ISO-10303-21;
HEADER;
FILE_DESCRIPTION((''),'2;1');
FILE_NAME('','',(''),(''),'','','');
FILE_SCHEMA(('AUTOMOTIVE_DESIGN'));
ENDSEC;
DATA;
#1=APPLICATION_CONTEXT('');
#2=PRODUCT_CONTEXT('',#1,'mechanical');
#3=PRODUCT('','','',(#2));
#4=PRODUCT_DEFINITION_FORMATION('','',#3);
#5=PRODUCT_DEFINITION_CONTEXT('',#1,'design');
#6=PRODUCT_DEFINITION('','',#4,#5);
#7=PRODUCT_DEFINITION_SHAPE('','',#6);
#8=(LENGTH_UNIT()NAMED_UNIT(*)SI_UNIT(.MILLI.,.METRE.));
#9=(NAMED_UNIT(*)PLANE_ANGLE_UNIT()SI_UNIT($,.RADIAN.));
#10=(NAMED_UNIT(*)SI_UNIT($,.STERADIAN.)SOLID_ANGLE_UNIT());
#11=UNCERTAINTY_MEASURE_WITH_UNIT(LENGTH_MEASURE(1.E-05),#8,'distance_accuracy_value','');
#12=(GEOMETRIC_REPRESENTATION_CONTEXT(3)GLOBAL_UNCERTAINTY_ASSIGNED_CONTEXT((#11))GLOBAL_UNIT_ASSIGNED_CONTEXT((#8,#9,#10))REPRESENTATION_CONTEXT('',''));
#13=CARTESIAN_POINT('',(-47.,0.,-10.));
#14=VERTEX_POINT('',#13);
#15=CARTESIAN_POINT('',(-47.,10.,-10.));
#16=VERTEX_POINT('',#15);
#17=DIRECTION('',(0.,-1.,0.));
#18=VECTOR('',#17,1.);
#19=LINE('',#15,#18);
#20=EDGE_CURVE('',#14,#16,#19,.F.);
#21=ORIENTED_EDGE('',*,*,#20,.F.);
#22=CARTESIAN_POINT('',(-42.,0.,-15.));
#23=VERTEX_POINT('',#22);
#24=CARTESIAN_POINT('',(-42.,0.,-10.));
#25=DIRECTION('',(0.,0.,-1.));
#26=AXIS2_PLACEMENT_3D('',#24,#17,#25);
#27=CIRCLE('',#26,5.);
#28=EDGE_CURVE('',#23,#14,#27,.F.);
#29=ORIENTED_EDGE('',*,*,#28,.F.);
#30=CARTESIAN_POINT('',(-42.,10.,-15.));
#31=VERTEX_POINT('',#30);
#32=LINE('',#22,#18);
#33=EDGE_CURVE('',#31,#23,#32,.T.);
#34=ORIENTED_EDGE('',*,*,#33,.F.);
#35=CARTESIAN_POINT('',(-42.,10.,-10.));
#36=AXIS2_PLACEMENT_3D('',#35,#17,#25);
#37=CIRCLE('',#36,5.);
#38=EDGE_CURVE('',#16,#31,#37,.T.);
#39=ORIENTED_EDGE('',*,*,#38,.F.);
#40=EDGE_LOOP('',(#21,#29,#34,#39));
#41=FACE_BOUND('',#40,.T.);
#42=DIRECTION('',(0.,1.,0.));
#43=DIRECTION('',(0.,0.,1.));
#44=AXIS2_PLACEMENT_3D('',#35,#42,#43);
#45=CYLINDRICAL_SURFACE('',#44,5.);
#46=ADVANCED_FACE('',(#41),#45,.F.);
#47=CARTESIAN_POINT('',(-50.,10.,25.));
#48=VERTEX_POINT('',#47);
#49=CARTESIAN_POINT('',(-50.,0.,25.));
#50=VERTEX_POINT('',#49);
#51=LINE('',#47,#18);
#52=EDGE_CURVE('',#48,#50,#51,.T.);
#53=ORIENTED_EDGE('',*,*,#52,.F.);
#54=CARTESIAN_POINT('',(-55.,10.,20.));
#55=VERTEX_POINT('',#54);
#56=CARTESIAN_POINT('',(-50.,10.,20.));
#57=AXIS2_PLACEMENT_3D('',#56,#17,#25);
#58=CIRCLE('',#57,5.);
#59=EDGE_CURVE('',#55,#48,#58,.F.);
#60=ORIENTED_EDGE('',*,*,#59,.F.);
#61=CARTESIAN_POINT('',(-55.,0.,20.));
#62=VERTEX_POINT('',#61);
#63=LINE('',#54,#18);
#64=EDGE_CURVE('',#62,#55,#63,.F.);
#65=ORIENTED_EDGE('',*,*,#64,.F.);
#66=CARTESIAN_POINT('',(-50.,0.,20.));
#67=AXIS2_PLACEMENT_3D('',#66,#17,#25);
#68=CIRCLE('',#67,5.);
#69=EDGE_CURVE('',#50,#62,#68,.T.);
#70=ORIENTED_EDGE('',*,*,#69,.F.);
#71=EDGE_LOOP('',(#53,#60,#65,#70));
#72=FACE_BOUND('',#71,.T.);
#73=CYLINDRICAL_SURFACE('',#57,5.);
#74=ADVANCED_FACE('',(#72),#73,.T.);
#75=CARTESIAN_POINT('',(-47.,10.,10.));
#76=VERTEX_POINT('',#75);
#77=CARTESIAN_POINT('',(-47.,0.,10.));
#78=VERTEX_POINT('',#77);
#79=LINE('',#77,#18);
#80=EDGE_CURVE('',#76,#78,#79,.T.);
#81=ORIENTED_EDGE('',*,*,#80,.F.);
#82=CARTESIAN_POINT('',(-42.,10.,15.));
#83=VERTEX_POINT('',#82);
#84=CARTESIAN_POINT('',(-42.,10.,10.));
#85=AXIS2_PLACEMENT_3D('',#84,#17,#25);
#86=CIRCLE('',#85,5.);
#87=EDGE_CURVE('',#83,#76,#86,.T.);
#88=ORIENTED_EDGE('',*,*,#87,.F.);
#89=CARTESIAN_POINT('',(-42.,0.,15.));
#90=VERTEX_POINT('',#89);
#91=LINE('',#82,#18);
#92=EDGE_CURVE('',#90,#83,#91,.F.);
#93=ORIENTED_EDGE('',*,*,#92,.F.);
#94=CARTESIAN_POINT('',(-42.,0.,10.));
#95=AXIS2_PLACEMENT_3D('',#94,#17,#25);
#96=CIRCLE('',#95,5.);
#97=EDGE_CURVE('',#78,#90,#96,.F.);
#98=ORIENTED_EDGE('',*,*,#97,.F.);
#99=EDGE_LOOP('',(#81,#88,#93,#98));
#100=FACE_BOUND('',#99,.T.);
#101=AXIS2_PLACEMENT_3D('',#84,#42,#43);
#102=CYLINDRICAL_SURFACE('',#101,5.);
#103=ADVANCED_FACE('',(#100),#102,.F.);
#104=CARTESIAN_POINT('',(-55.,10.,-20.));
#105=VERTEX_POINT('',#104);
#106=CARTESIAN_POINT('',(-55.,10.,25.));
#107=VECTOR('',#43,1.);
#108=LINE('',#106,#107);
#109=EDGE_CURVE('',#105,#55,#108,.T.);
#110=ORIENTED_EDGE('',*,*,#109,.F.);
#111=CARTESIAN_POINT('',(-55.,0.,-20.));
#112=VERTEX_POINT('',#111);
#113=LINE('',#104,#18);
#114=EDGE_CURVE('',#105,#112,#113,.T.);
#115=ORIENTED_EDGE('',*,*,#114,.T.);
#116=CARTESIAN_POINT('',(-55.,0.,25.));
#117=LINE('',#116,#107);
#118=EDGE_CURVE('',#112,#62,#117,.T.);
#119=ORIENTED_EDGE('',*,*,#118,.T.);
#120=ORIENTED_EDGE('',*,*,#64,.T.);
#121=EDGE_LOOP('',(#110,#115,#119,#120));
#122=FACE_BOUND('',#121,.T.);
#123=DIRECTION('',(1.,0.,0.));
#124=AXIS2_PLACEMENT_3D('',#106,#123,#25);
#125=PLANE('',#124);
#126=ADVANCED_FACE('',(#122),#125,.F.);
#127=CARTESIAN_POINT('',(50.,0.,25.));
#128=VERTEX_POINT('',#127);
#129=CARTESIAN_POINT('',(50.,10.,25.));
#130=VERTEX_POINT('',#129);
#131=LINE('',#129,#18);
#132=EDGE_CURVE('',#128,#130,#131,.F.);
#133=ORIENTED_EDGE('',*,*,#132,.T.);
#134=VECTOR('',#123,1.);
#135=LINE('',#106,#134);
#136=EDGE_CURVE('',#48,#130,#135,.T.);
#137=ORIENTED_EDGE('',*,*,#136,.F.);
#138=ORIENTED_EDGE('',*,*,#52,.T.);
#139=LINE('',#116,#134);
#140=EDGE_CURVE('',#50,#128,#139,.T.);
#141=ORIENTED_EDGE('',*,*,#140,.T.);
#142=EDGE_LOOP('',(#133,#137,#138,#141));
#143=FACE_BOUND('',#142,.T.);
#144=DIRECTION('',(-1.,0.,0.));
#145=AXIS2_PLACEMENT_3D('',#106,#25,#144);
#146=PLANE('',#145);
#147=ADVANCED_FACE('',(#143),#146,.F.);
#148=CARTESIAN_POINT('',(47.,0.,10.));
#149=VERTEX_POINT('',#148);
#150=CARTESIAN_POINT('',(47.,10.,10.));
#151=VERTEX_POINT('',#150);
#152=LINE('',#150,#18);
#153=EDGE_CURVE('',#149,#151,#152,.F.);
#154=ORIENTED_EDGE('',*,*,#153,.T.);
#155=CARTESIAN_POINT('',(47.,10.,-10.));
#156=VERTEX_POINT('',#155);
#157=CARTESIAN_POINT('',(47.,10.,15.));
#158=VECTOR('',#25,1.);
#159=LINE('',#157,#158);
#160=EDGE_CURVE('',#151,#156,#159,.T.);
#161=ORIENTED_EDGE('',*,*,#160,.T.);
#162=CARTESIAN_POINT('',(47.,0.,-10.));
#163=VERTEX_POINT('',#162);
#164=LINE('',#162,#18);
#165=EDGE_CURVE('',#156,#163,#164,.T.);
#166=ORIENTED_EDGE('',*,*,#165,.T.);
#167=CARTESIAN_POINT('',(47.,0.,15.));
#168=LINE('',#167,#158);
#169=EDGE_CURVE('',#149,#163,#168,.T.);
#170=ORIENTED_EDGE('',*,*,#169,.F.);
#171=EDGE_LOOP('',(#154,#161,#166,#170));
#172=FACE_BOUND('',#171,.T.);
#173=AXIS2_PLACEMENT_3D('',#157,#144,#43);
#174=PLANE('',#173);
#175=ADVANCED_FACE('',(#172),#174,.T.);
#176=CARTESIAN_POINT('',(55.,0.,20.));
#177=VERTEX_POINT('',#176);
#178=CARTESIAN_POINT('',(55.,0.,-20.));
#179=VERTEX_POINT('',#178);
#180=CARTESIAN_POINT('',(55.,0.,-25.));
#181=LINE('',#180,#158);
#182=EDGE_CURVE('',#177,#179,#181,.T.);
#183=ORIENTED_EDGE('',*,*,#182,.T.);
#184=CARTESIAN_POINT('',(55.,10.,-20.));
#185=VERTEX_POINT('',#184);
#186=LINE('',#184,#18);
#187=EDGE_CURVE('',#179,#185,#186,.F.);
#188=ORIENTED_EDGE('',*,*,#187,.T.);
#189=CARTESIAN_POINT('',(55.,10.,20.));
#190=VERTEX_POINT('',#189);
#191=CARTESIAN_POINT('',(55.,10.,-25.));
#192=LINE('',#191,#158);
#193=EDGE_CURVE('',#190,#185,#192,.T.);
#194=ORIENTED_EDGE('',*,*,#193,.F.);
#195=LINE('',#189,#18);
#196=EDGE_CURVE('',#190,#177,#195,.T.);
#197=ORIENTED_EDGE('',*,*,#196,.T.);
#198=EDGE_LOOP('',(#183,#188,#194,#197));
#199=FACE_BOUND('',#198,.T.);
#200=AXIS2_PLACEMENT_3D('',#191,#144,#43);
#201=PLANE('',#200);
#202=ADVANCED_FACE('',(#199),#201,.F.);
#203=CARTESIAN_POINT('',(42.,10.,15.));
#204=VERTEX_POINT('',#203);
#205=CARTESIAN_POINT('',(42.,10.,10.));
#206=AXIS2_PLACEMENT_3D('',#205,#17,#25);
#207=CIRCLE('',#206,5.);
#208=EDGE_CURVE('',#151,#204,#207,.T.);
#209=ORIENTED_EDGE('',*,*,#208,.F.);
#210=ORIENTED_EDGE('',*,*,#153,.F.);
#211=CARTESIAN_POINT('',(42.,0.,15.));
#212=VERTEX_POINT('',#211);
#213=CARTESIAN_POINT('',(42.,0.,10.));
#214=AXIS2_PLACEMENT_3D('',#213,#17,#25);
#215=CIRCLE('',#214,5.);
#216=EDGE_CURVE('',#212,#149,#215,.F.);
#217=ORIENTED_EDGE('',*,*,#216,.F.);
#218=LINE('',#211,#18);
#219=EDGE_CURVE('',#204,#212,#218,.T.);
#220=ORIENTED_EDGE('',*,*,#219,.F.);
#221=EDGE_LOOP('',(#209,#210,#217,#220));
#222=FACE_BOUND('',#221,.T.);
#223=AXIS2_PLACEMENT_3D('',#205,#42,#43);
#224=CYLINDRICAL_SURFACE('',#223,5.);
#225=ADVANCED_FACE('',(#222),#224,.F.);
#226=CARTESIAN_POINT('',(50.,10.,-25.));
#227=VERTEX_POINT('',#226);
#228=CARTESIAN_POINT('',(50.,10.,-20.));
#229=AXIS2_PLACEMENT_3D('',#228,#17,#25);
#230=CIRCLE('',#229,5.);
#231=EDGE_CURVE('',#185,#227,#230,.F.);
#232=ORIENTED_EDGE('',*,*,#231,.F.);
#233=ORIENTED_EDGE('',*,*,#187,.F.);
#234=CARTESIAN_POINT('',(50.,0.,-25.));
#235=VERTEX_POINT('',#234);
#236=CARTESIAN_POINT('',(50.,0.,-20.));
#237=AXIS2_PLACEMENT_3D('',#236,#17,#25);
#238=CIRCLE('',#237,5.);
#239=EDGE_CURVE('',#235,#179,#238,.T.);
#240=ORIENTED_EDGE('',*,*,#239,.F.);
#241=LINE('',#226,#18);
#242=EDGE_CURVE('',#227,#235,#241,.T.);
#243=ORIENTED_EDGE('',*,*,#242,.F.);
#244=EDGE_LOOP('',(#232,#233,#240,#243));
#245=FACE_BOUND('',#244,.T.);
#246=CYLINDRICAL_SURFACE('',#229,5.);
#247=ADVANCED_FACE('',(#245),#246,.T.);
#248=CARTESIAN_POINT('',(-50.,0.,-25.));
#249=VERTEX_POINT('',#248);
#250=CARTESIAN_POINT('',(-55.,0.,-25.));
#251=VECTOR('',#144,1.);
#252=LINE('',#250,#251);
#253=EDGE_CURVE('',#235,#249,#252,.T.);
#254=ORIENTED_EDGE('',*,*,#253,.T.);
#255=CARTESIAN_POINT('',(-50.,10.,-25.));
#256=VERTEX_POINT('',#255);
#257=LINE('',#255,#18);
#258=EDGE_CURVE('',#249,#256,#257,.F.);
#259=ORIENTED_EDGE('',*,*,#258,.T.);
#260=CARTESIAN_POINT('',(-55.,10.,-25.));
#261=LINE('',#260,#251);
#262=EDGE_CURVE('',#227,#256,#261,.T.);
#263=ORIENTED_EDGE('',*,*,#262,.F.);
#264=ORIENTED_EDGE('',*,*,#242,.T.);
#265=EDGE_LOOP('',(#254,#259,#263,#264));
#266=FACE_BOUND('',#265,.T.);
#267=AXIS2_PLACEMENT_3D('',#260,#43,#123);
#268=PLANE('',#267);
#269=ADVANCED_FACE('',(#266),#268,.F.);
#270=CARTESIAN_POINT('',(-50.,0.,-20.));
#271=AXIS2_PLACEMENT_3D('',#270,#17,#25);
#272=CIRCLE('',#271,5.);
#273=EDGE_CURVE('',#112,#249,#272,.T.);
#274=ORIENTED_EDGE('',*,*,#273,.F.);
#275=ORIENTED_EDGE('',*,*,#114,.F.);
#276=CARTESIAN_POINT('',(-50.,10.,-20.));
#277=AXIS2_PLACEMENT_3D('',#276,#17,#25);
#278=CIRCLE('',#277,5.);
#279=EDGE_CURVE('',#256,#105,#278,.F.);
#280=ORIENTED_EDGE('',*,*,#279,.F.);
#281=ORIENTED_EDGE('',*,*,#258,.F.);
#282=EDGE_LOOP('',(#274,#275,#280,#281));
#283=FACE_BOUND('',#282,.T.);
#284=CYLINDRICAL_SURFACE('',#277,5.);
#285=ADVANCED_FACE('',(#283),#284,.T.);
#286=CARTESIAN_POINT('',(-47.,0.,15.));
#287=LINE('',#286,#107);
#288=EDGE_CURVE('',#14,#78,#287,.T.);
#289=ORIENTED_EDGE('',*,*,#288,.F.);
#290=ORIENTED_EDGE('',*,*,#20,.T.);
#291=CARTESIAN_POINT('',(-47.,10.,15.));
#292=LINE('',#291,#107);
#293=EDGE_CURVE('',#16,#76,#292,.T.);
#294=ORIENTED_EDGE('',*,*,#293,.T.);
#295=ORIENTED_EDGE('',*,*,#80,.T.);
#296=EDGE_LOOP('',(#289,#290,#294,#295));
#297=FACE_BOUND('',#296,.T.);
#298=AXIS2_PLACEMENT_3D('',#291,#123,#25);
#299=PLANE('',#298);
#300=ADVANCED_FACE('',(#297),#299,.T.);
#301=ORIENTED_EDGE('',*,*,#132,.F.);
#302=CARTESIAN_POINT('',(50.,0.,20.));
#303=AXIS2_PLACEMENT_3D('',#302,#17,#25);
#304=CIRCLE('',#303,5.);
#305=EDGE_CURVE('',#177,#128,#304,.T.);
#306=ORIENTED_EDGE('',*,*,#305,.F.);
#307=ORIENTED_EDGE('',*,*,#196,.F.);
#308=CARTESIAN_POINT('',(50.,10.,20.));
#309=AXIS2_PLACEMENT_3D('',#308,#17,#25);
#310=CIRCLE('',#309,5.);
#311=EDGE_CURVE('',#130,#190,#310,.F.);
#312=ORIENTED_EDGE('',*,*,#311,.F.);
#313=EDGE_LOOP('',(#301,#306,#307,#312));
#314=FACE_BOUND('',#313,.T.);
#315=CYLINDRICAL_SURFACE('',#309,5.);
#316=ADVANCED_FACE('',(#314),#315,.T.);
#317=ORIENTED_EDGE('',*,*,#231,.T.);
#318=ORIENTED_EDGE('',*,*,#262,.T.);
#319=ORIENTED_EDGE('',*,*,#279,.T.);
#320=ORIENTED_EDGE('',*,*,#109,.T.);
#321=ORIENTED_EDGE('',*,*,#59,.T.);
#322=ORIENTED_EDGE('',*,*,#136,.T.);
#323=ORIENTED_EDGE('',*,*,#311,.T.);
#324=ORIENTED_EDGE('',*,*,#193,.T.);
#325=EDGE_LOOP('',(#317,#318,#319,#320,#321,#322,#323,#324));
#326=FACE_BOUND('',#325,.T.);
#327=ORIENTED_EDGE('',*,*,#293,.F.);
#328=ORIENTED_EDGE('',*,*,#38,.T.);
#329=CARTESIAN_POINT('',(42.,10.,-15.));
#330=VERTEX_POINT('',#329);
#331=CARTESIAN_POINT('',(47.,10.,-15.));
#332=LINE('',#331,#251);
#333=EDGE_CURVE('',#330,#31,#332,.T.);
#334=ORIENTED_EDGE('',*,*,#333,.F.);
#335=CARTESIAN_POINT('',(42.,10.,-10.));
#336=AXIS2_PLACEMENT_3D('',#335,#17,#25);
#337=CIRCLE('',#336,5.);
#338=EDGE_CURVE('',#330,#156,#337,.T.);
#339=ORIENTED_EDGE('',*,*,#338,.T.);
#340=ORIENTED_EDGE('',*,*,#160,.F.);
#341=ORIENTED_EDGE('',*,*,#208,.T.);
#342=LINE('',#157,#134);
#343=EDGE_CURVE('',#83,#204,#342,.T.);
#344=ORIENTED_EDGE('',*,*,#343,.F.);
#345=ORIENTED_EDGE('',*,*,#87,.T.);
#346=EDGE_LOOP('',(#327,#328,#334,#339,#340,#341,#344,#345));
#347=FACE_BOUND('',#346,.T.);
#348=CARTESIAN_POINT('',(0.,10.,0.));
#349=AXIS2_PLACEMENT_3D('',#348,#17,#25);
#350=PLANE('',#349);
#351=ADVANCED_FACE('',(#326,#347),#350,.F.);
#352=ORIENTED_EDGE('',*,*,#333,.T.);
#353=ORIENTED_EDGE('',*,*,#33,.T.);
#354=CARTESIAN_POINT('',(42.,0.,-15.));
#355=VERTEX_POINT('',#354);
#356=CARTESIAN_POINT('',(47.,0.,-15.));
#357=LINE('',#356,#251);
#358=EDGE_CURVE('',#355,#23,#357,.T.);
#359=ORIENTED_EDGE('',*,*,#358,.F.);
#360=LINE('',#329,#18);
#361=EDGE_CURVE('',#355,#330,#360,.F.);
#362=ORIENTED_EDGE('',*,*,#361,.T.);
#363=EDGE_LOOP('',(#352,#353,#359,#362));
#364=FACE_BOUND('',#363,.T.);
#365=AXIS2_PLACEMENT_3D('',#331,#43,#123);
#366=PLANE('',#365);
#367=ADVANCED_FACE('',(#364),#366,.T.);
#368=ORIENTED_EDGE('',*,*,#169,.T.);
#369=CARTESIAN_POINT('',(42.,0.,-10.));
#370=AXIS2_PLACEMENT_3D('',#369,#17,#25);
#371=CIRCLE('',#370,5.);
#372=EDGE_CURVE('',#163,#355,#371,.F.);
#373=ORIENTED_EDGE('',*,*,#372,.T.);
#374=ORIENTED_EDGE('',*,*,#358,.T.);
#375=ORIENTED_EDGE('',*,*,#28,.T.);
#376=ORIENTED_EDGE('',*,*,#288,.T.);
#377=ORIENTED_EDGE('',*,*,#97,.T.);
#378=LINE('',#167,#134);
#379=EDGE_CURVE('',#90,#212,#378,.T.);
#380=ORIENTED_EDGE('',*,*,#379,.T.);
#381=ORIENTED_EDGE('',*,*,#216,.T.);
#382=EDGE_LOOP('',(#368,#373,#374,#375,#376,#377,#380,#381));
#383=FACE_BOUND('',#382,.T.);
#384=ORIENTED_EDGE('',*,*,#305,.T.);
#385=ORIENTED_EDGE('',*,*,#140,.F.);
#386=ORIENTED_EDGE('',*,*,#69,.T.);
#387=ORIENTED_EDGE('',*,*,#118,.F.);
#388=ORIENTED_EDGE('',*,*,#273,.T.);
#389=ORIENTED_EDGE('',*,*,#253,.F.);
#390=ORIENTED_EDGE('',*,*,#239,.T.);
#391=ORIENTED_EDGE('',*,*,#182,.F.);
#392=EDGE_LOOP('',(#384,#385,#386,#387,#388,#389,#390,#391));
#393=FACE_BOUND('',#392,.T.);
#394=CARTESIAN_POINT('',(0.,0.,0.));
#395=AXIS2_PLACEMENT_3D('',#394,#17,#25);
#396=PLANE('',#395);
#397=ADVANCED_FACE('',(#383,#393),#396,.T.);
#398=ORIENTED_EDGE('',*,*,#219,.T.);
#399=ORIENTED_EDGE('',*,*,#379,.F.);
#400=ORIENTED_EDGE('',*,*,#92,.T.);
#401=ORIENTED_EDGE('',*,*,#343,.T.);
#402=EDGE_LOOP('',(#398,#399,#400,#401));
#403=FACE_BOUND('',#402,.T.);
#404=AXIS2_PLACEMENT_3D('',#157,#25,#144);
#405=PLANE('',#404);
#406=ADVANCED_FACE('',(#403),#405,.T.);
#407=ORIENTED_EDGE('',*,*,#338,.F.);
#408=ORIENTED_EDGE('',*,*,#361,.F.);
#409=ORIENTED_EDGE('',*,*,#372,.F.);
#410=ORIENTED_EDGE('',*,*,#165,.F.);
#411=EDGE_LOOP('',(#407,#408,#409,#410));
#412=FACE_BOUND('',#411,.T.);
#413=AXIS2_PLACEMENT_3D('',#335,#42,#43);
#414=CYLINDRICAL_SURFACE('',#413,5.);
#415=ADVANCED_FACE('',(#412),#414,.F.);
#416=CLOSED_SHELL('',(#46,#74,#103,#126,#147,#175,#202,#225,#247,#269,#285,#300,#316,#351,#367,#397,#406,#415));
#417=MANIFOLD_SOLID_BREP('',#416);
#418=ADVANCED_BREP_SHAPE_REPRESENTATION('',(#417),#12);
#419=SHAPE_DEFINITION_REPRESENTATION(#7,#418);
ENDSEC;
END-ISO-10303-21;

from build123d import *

# Parameters (mm, degrees)
SKETCH1_W           = 110
SKETCH1_H           = 50
SKETCH1_W_2         = 94
SKETCH1_H_2         = 30
BOSS_EXTRUDE1_DEPTH = 10
FILLET1_R           = 5


with BuildPart() as part:
    # Sketch1 → Boss-Extrude1 (new body)
    with BuildSketch(Plane(origin=(0, 0, 0), x_dir=(1, 0, 0), z_dir=(0, 1, 0))):
        Rectangle(SKETCH1_W, SKETCH1_H)
        Rectangle(SKETCH1_W_2, SKETCH1_H_2, mode=Mode.SUBTRACT)
    extrude(amount=BOSS_EXTRUDE1_DEPTH)

    # Fillet1
    fillet1_edges = [part.edges().sort_by_distance(p)[0] for p in [
        (-47, 5, -15),
        (-47, 5, 15),
        (47, 5, 15),
        (47, 5, -15),
        (-55, 5, 25),
        (-55, 5, -25),
        (55, 5, -25),
        (55, 5, 25),
    ]]
    fillet(fillet1_edges, radius=FILLET1_R)


solid = part.part
